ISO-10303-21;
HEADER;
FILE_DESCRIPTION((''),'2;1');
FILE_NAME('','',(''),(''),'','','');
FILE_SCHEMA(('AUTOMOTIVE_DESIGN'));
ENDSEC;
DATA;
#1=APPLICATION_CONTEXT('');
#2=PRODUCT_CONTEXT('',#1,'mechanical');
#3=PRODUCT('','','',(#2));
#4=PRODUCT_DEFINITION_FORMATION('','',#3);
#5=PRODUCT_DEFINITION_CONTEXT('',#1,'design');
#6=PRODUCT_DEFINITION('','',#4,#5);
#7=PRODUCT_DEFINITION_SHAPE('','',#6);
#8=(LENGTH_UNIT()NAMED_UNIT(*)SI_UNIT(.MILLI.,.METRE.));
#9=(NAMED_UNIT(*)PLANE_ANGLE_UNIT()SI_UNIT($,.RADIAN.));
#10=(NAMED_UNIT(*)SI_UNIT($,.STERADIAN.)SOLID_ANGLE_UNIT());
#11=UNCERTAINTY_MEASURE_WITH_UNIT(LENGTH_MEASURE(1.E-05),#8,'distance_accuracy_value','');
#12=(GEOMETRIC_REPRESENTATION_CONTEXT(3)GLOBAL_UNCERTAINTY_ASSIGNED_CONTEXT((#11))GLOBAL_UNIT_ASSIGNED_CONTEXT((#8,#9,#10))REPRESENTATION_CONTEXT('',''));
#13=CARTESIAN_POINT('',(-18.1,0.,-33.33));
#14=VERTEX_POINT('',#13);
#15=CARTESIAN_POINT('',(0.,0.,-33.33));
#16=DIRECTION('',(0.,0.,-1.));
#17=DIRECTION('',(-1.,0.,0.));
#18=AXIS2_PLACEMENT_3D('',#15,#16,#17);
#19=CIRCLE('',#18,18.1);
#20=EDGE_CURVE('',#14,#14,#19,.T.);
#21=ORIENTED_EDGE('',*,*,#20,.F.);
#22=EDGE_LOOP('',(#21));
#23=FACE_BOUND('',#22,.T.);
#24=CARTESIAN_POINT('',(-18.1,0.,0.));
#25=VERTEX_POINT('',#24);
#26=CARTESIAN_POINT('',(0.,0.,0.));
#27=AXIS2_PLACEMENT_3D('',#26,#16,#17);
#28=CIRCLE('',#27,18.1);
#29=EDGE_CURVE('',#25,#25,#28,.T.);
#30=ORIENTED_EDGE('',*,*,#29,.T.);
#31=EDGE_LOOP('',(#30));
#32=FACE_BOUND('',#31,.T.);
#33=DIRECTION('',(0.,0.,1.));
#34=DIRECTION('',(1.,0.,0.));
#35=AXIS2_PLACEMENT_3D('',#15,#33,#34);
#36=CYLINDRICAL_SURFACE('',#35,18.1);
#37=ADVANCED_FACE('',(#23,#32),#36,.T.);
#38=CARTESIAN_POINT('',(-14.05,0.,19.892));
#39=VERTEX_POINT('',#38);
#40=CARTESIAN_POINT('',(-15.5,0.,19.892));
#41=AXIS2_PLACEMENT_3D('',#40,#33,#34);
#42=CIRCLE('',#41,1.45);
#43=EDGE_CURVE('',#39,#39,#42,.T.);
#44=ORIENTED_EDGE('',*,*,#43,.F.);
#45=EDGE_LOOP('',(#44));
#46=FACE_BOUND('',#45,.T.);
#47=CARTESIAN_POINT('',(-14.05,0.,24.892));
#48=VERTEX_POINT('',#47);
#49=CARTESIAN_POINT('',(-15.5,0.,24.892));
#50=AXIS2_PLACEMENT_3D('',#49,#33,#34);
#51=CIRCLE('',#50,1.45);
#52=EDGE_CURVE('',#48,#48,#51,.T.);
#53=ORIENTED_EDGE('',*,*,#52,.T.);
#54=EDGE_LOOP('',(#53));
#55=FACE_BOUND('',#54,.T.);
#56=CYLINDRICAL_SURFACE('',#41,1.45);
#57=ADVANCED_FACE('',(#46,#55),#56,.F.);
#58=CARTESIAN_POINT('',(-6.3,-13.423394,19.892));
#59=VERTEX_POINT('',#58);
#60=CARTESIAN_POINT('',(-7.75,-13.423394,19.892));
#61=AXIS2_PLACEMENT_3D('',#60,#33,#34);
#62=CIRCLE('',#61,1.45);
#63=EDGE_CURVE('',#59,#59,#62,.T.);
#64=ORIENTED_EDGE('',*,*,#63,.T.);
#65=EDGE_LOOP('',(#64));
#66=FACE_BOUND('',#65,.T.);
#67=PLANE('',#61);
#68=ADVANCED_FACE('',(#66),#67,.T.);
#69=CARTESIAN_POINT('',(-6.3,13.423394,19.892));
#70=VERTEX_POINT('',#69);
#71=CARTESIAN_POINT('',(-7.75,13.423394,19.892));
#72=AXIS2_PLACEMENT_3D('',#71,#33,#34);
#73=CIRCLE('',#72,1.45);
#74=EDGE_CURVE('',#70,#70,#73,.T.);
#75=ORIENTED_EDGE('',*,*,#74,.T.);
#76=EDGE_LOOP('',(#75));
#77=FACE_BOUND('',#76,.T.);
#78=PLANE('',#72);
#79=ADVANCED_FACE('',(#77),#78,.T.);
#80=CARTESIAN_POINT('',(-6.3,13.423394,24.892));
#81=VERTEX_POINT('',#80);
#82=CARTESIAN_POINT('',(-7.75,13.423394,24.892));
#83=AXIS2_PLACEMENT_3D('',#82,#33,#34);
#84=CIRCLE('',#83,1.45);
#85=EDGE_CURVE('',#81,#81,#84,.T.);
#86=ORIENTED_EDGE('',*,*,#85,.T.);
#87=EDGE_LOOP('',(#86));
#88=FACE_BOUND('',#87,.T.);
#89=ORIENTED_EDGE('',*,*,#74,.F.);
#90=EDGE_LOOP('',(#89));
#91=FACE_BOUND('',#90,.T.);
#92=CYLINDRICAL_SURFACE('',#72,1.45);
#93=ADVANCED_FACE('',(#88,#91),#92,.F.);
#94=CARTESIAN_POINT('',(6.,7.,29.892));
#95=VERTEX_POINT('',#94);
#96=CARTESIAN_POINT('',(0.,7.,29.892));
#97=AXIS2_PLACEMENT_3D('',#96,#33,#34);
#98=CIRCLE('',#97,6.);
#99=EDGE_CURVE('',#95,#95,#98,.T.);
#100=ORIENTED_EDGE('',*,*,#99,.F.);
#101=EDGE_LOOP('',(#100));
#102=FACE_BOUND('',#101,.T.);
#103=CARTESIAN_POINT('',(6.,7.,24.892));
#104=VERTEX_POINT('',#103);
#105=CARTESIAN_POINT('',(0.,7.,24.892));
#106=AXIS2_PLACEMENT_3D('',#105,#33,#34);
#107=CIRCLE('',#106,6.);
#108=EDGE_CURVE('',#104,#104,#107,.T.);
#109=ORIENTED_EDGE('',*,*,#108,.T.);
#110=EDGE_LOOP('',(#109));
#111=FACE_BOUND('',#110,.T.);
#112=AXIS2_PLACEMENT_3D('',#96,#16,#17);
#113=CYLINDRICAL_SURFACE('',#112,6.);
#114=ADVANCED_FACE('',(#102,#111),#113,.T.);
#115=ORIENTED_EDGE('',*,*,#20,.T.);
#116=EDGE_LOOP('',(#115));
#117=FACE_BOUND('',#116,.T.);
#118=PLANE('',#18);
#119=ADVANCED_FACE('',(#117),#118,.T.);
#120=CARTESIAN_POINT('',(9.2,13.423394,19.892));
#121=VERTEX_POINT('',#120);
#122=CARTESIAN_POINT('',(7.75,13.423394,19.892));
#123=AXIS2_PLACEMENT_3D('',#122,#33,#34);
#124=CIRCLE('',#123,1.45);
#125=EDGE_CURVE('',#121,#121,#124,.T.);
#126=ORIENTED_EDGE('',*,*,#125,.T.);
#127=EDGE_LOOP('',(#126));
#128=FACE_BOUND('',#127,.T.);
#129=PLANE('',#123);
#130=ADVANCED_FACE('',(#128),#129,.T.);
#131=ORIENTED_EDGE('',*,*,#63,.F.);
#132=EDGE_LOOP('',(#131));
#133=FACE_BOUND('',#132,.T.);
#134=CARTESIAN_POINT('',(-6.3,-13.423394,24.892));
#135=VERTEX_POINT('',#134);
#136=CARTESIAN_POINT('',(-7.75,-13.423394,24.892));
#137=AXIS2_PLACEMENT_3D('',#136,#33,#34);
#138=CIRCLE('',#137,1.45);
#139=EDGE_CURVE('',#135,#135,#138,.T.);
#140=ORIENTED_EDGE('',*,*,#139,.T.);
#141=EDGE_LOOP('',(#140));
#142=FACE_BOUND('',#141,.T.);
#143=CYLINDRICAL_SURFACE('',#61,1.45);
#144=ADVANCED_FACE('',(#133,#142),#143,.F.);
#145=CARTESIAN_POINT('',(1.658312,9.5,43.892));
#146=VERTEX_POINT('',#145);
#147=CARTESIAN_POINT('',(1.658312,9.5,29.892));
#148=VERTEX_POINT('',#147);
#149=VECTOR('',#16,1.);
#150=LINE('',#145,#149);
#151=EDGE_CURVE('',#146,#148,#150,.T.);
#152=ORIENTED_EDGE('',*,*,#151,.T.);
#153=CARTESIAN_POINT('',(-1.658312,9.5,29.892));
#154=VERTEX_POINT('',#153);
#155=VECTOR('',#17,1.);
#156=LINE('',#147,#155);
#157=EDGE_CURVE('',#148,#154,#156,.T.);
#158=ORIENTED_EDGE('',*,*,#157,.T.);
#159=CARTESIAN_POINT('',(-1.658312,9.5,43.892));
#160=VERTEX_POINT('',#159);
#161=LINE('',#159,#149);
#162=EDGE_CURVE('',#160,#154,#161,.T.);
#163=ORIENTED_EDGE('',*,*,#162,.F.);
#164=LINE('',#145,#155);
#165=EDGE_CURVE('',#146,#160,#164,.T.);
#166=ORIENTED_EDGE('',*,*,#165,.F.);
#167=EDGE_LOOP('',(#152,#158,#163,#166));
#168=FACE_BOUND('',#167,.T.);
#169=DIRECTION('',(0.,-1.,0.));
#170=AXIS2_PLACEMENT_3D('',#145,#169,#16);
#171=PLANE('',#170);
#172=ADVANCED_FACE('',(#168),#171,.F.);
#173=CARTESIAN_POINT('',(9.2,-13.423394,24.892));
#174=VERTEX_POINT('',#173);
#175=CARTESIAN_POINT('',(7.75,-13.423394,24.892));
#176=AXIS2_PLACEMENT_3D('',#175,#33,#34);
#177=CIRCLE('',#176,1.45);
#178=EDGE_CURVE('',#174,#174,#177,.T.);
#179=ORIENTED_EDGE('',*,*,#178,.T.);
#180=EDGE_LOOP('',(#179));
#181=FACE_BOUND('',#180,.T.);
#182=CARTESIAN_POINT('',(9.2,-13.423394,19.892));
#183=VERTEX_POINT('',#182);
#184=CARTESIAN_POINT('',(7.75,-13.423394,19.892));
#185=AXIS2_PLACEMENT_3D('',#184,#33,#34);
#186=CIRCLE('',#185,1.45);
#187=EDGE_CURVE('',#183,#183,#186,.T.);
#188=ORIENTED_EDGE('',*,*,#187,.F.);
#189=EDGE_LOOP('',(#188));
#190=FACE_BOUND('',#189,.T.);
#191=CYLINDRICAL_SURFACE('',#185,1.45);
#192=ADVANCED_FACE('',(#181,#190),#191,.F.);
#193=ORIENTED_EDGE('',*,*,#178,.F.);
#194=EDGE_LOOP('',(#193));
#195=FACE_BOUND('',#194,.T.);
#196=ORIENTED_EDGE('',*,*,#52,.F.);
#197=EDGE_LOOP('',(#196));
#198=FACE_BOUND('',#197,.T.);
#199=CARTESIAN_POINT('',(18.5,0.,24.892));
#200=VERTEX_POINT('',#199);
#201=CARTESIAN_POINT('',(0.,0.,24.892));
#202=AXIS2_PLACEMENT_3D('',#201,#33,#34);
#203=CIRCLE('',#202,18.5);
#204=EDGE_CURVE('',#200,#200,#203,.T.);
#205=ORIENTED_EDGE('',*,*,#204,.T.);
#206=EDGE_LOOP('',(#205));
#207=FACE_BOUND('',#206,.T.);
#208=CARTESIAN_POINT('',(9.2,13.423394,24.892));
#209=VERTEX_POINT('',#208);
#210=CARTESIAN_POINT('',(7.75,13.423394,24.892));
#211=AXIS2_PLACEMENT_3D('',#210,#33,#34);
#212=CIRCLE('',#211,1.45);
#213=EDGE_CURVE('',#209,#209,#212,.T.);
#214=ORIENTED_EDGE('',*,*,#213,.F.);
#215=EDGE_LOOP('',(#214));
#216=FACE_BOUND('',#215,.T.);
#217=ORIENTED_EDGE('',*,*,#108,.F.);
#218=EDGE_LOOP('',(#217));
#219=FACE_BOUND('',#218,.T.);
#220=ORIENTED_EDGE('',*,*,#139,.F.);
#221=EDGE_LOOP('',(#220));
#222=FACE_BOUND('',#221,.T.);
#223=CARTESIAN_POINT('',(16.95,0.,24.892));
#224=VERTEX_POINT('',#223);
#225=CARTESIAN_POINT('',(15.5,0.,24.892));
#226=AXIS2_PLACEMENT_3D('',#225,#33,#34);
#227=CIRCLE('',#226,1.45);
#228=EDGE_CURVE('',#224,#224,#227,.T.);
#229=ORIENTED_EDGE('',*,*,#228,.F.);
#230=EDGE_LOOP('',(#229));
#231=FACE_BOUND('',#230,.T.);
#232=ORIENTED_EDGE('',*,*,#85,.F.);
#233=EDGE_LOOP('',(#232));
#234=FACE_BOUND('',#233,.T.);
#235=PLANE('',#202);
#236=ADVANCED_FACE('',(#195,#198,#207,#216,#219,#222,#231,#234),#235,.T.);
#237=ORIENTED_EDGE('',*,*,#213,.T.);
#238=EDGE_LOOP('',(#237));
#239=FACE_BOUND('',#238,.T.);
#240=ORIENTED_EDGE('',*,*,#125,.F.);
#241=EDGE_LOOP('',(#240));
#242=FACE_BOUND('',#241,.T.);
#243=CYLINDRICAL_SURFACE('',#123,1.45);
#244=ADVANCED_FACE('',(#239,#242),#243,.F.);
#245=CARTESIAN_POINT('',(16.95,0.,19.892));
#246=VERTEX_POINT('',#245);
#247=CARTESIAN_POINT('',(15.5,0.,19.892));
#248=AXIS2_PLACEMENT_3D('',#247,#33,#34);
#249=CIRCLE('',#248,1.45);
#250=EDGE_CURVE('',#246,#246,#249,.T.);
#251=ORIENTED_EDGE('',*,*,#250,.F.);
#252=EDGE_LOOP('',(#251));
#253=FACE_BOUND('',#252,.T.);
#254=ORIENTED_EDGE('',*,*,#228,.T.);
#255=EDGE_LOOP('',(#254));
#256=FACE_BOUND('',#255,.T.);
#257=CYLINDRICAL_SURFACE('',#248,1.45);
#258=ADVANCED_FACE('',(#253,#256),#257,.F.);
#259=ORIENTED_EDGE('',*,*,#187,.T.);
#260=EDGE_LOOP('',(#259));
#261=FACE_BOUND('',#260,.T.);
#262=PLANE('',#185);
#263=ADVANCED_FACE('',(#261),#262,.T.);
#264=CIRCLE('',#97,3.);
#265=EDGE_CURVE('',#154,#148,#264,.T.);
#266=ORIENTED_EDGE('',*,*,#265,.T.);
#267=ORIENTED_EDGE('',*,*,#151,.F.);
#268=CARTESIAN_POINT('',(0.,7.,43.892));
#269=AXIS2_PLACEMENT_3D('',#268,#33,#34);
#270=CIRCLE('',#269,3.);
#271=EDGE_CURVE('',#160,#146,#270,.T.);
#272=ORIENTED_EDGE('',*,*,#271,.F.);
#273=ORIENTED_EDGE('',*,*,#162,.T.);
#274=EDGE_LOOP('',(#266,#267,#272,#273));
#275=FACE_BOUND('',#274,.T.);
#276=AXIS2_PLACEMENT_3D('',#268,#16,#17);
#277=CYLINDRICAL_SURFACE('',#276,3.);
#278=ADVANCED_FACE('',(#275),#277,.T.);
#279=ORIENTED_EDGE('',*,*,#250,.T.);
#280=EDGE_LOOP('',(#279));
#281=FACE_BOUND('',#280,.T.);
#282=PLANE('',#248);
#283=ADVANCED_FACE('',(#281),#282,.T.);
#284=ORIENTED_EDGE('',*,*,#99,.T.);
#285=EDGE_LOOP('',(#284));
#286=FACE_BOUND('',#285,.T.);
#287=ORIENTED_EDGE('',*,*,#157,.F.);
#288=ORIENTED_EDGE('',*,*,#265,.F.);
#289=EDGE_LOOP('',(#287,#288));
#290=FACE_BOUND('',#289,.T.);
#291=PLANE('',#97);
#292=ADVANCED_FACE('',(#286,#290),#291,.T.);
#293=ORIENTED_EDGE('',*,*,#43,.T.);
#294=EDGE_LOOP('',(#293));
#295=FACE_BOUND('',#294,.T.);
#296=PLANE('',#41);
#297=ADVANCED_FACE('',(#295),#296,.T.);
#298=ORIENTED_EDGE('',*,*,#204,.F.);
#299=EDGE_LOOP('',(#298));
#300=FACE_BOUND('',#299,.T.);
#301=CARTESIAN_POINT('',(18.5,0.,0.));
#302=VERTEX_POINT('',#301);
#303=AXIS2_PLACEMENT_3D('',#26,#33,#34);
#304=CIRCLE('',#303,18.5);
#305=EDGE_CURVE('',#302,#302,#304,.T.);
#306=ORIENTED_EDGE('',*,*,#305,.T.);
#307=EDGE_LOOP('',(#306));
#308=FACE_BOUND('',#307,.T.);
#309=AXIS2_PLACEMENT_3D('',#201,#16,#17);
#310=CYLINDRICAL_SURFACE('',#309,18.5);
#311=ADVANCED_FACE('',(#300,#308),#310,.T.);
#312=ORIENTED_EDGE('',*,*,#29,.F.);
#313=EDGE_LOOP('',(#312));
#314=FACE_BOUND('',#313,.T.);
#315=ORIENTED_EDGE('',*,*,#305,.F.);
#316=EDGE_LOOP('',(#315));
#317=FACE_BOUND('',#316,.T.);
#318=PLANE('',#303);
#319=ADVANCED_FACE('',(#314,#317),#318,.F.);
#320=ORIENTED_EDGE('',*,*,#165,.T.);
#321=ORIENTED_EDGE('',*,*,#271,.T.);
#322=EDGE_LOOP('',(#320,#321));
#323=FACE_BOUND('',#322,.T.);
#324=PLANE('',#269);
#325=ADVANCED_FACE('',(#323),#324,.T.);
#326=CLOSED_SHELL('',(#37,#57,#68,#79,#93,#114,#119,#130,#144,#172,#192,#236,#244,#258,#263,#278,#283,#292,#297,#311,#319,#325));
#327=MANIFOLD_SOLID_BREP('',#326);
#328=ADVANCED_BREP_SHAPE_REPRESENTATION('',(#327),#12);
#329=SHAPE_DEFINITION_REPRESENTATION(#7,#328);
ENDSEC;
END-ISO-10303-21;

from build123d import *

# Parameters (mm, degrees)
SKETCH1_R           = 18.5
BOSS_EXTRUDE1_DEPTH = 24.892
SKETCH2_R           = 18.1
BOSS_EXTRUDE2_DEPTH = 33.33
SKETCH3_R           = 6
BOSS_EXTRUDE3_DEPTH = 5
BOSS_EXTRUDE4_DEPTH = 14
SKETCH5_R           = 1.45
CUT_EXTRUDE1_DEPTH  = 5


with BuildPart() as part:
    # Sketch1 → Boss-Extrude1 (new body)
    with BuildSketch(Plane.XY):
        Circle(SKETCH1_R)
    extrude(amount=BOSS_EXTRUDE1_DEPTH)

    # Sketch2 → Boss-Extrude2 (add)
    with BuildSketch(Plane(origin=(0, 0, 0), x_dir=(-1, 0, 0), z_dir=(0, 0, -1))):
        Circle(SKETCH2_R)
    extrude(amount=BOSS_EXTRUDE2_DEPTH)

    # Sketch3 → Boss-Extrude3 (add)
    with BuildSketch(Plane.XY.offset(24.892)):
        with Locations((0, 7)):
            Circle(SKETCH3_R)
    extrude(amount=BOSS_EXTRUDE3_DEPTH)

    # Sketch4 → Boss-Extrude4 (add)
    with BuildSketch(Plane.XY.offset(29.892)):
        with BuildLine():
            Line((1.658312395, 9.5), (-1.658312395, 9.5))
            ThreePointArc((-1.658312395, 9.5), (0, 4), (1.658312395, 9.5))
        make_face()
    extrude(amount=BOSS_EXTRUDE4_DEPTH)

    # Sketch5 → Cut-Extrude1 (cut)
    with BuildSketch(Plane.XY.offset(24.892)):
        with Locations((15.5, 0)):
            Circle(SKETCH5_R)
        with Locations((7.75, -13.423393759)):
            Circle(SKETCH5_R)
        with Locations((-7.75, -13.423393759)):
            Circle(SKETCH5_R)
        with Locations((-15.5, 0)):
            Circle(SKETCH5_R)
        with Locations((-7.75, 13.423393759)):
            Circle(SKETCH5_R)
        with Locations((7.75, 13.423393759)):
            Circle(SKETCH5_R)
    extrude(amount=-CUT_EXTRUDE1_DEPTH, mode=Mode.SUBTRACT)


solid = part.part
